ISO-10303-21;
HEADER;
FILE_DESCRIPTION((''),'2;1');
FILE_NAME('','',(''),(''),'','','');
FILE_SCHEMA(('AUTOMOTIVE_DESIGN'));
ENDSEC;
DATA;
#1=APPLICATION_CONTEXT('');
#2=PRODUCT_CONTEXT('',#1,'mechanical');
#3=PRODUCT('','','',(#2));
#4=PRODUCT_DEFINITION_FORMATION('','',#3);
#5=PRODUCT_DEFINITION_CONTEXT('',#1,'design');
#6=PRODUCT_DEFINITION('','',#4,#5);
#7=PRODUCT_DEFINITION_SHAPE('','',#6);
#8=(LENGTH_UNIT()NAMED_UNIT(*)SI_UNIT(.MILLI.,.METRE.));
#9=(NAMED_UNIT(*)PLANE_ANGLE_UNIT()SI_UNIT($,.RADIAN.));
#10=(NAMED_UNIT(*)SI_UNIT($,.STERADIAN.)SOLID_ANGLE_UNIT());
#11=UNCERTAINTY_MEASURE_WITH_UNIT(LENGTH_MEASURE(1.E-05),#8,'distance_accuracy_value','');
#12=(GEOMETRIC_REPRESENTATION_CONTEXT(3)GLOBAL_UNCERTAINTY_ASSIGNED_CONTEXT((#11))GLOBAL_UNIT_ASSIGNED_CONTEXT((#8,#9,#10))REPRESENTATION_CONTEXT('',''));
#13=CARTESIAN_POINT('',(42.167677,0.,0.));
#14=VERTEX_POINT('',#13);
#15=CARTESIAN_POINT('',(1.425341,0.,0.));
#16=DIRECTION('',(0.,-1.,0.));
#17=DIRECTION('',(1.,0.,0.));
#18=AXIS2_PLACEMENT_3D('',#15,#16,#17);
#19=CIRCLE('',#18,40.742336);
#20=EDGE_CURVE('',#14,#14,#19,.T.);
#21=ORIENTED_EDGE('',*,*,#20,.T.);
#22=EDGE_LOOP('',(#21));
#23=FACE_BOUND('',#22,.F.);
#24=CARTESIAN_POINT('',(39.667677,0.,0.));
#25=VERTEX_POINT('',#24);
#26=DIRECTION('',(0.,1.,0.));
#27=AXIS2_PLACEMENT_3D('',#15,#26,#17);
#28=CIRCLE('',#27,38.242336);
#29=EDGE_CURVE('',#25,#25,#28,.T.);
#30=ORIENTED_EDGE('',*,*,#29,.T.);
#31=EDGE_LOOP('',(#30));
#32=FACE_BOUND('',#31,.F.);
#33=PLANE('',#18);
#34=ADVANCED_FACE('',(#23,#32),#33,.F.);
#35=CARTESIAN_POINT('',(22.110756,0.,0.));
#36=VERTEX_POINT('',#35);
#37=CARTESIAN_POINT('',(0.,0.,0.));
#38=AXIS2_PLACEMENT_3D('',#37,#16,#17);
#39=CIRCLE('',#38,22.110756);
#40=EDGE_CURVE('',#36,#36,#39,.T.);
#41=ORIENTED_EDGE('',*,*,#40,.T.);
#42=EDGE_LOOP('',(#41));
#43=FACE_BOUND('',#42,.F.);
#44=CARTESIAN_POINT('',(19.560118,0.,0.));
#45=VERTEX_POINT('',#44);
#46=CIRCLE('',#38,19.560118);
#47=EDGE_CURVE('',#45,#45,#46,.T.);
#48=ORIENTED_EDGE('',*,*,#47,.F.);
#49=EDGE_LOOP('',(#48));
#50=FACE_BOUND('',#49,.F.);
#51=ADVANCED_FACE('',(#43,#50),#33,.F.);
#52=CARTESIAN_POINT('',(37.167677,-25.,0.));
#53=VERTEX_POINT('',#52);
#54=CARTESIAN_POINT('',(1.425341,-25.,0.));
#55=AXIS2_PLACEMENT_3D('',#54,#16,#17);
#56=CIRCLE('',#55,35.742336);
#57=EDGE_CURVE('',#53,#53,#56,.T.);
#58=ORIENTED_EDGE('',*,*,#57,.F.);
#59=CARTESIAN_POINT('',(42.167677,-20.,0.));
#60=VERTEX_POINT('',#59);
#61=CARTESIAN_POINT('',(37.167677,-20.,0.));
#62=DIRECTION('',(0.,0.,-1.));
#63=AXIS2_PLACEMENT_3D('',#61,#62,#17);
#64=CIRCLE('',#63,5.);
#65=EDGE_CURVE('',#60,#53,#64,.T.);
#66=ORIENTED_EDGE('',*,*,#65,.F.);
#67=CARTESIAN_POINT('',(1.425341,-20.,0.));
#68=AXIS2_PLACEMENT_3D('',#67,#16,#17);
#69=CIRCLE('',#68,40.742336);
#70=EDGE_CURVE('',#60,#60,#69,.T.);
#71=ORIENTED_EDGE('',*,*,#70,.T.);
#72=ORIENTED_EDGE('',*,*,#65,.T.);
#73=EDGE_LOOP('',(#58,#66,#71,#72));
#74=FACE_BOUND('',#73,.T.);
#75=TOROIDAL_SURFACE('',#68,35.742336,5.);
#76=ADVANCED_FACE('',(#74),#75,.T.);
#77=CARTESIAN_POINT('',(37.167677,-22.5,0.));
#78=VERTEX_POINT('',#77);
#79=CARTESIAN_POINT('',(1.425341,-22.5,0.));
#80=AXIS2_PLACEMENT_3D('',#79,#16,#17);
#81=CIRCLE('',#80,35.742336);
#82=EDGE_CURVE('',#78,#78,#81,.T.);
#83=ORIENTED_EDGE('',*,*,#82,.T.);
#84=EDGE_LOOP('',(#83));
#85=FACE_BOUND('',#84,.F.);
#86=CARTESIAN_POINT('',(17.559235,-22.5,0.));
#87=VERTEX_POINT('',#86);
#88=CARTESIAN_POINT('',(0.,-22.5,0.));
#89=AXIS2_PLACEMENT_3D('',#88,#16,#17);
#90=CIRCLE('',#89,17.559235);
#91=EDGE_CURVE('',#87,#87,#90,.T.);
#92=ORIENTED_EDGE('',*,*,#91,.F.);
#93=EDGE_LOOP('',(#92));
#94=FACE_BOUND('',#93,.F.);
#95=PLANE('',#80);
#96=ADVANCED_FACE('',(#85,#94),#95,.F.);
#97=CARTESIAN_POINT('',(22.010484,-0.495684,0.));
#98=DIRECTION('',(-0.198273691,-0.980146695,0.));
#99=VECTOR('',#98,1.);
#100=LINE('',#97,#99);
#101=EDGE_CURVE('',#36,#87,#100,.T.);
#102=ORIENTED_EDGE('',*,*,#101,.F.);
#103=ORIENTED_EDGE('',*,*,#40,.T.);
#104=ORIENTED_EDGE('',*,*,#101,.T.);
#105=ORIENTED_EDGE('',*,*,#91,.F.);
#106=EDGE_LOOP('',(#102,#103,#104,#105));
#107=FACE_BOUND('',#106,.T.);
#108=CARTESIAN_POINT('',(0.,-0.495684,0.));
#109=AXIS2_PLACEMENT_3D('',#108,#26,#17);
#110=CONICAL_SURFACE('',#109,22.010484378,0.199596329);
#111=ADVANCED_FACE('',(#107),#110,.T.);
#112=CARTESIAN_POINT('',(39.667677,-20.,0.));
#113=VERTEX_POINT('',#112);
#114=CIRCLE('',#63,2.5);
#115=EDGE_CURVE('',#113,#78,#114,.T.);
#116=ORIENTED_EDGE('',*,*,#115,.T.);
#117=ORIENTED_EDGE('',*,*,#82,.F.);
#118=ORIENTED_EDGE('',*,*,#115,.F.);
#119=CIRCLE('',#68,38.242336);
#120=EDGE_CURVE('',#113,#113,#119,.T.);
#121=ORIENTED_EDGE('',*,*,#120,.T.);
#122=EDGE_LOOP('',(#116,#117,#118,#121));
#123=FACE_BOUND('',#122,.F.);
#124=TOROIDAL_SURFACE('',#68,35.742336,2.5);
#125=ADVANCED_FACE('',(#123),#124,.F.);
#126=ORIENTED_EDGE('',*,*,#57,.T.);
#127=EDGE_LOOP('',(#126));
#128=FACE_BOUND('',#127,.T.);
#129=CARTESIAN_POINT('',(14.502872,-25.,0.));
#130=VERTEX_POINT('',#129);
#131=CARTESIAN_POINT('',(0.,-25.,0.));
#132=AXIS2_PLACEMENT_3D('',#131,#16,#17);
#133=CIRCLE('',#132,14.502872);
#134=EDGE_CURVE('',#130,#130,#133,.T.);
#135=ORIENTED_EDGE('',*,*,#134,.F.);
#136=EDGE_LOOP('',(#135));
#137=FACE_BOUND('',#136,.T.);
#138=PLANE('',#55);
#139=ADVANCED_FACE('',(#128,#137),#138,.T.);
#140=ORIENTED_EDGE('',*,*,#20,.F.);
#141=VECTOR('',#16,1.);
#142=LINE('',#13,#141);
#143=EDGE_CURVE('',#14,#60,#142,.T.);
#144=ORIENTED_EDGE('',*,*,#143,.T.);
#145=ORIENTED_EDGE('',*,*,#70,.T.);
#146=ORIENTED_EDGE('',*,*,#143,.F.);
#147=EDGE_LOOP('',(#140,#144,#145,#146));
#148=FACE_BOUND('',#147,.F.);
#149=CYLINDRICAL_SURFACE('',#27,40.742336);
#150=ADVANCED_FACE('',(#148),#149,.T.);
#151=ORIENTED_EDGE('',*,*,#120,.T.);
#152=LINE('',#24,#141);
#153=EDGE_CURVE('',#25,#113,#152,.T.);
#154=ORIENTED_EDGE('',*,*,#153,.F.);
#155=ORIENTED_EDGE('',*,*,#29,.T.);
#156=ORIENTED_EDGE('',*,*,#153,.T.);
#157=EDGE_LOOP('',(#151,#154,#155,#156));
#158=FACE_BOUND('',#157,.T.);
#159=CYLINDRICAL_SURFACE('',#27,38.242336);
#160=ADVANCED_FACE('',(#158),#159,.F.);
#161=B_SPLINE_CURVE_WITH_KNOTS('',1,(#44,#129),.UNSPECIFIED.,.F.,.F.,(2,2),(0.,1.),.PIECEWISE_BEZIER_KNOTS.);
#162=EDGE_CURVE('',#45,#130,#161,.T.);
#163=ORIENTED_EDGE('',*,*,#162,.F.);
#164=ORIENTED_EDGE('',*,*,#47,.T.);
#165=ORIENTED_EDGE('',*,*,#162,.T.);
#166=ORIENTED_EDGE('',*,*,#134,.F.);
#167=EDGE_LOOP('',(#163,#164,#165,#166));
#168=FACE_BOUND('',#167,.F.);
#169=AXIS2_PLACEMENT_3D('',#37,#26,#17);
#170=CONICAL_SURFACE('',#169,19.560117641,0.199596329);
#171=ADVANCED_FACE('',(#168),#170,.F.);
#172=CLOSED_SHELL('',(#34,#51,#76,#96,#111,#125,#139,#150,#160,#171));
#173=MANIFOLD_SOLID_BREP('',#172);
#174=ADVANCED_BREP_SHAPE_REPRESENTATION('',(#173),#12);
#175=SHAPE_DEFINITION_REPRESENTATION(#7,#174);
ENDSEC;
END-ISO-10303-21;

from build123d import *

# Parameters (mm, degrees)
F1_R     = 40.7423360253
F2_DEPTH = 25
F3_R     = 19.5601176406
F4_R     = 14.5028723408
F6_R     = 5
F7_T     = -2.5


with BuildPart() as f2:
    # F1 (on Front) → F2 (new body)
    with BuildSketch(Plane.XZ):
        with Locations((1.4253406553, 0)):
            Circle(F1_R)
    extrude(amount=F2_DEPTH)

    # F3 (on Front) → F5 section 0
    with BuildSketch(Plane.XZ):
        Circle(F3_R)
    # F4 (on offset) → F5 section 1
    with BuildSketch(Plane.XZ.offset(25)):
        Circle(F4_R)
    loft(mode=Mode.SUBTRACT)

    # F6
    f6_edges = [f2.edges().sort_by_distance(p)[0] for p in [
        (-39.316995, -25, 0),
    ]]
    fillet(f6_edges, radius=F6_R)

    # F7
    f7_openings = [f2.faces().sort_by_distance(p)[0] for p in [
        (-38.164628, 0, 0),
    ]]
    offset(amount=F7_T, openings=f7_openings, kind=Kind.INTERSECTION)


solid = f2.part
